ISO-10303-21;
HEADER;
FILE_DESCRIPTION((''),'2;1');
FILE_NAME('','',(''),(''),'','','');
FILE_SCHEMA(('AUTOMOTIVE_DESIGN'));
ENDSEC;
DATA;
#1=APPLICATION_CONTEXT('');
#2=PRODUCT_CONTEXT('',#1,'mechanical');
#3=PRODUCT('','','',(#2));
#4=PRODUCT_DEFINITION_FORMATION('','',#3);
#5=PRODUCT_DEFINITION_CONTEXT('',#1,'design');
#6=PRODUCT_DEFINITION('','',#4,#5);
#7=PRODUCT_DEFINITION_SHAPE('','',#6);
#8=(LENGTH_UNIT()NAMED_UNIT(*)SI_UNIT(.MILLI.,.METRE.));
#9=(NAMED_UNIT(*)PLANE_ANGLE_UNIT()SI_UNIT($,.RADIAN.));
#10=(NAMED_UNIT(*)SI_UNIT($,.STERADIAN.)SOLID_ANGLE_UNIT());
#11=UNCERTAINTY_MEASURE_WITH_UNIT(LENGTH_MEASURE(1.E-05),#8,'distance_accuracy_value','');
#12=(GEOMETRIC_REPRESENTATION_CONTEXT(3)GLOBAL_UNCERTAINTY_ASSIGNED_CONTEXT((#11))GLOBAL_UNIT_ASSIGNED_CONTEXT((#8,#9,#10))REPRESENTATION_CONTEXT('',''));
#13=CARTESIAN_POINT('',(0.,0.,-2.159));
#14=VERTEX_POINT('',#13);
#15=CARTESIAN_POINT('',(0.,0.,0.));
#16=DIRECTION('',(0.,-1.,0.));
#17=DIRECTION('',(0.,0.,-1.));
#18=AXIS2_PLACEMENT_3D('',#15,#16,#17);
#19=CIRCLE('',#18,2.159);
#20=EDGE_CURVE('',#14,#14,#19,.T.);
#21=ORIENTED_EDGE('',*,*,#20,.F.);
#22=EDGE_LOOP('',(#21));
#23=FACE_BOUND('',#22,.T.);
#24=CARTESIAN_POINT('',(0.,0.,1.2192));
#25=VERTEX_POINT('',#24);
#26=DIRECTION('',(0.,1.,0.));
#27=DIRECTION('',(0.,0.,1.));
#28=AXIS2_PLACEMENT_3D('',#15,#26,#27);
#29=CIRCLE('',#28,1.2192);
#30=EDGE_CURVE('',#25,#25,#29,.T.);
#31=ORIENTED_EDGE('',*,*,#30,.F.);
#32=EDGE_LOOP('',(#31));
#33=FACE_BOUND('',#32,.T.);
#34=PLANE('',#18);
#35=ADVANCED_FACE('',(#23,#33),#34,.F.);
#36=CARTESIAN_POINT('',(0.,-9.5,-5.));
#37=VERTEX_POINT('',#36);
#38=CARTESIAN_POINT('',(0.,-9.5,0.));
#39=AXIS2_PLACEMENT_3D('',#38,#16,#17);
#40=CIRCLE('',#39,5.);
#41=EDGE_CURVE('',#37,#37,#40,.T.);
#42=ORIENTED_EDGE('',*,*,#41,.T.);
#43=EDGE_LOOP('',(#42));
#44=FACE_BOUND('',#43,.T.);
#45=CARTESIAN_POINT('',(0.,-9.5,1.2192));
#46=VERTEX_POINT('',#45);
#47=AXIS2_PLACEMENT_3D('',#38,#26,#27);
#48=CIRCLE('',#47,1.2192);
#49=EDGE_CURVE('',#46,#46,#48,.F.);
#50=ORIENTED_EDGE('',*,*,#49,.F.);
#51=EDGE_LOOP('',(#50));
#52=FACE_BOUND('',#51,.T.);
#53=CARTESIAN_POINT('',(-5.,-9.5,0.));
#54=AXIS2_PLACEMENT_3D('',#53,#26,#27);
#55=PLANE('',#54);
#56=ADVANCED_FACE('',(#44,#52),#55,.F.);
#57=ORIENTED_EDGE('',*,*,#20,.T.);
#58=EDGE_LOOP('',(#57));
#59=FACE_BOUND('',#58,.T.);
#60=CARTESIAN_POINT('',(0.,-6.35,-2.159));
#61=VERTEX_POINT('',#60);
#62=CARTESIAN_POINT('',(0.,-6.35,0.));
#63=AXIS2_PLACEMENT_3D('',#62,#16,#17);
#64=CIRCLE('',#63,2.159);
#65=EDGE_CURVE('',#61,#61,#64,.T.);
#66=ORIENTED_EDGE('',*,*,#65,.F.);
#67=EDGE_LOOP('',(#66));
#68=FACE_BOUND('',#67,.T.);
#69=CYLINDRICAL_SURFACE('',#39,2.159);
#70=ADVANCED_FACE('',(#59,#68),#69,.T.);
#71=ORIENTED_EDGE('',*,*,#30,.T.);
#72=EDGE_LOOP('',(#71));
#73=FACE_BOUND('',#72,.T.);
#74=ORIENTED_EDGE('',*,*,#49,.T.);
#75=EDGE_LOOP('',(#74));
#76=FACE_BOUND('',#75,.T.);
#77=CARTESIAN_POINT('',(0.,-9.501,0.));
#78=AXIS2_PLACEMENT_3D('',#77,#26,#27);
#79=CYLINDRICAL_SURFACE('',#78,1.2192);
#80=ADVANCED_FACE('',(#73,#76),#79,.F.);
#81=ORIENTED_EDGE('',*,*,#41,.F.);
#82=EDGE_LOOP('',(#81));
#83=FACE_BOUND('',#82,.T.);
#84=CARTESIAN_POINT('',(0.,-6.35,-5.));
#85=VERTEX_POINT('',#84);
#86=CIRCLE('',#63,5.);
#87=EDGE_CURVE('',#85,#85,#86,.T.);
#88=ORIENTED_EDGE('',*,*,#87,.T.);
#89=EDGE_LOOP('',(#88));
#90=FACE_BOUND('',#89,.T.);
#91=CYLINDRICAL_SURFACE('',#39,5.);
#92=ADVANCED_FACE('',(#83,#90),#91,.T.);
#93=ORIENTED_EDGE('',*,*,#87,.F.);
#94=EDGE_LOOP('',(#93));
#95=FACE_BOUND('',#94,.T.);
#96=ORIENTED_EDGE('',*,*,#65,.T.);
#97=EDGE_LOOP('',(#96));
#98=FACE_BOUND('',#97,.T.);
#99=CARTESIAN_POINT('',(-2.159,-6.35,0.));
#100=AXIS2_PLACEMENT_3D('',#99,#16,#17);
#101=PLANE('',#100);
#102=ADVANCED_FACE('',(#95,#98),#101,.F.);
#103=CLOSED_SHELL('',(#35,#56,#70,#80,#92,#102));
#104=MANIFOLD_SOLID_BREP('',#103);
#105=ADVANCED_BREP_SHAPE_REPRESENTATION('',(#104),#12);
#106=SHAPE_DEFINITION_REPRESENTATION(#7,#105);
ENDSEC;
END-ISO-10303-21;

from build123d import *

# Parameters (mm, degrees)
CUT_EXTRUDE1_REACH = 13.843
SKETCH2_R          = 1.2192


with BuildPart() as part:
    # Sketch1 → Revolve1 (revolve)
    with BuildSketch(Plane.XY, mode=Mode.PRIVATE) as revolve1_sk:
        Polygon((0, 0), (-2.159, 0), (-2.159, -6.35), (-5, -6.35), (-5, -9.5), (0, -9.5), align=None)
    revolve(revolve1_sk.sketch.rotate(Axis((0, -9.5, 0), (0, 1, 0)), 270), axis=Axis((0, -9.5, 0), (0, 1, 0)))

    # Sketch2 → Cut-Extrude1 (cut, up to next)
    with BuildSketch(Plane(origin=(0, 0, 0), x_dir=(1, 0, 0), z_dir=(0, 1, 0)), mode=Mode.PRIVATE) as cut_extrude1_sk1:
        with Locations(Location((0, 0, 0), (0, 0, 270))):
            Circle(SKETCH2_R)
    cut_extrude1_tool1 = extrude(cut_extrude1_sk1.sketch, amount=-CUT_EXTRUDE1_REACH, mode=Mode.PRIVATE) & part.part
    add(cut_extrude1_tool1.solids().sort_by_distance((0, 0, 0))[0], mode=Mode.SUBTRACT)


solid = part.part
